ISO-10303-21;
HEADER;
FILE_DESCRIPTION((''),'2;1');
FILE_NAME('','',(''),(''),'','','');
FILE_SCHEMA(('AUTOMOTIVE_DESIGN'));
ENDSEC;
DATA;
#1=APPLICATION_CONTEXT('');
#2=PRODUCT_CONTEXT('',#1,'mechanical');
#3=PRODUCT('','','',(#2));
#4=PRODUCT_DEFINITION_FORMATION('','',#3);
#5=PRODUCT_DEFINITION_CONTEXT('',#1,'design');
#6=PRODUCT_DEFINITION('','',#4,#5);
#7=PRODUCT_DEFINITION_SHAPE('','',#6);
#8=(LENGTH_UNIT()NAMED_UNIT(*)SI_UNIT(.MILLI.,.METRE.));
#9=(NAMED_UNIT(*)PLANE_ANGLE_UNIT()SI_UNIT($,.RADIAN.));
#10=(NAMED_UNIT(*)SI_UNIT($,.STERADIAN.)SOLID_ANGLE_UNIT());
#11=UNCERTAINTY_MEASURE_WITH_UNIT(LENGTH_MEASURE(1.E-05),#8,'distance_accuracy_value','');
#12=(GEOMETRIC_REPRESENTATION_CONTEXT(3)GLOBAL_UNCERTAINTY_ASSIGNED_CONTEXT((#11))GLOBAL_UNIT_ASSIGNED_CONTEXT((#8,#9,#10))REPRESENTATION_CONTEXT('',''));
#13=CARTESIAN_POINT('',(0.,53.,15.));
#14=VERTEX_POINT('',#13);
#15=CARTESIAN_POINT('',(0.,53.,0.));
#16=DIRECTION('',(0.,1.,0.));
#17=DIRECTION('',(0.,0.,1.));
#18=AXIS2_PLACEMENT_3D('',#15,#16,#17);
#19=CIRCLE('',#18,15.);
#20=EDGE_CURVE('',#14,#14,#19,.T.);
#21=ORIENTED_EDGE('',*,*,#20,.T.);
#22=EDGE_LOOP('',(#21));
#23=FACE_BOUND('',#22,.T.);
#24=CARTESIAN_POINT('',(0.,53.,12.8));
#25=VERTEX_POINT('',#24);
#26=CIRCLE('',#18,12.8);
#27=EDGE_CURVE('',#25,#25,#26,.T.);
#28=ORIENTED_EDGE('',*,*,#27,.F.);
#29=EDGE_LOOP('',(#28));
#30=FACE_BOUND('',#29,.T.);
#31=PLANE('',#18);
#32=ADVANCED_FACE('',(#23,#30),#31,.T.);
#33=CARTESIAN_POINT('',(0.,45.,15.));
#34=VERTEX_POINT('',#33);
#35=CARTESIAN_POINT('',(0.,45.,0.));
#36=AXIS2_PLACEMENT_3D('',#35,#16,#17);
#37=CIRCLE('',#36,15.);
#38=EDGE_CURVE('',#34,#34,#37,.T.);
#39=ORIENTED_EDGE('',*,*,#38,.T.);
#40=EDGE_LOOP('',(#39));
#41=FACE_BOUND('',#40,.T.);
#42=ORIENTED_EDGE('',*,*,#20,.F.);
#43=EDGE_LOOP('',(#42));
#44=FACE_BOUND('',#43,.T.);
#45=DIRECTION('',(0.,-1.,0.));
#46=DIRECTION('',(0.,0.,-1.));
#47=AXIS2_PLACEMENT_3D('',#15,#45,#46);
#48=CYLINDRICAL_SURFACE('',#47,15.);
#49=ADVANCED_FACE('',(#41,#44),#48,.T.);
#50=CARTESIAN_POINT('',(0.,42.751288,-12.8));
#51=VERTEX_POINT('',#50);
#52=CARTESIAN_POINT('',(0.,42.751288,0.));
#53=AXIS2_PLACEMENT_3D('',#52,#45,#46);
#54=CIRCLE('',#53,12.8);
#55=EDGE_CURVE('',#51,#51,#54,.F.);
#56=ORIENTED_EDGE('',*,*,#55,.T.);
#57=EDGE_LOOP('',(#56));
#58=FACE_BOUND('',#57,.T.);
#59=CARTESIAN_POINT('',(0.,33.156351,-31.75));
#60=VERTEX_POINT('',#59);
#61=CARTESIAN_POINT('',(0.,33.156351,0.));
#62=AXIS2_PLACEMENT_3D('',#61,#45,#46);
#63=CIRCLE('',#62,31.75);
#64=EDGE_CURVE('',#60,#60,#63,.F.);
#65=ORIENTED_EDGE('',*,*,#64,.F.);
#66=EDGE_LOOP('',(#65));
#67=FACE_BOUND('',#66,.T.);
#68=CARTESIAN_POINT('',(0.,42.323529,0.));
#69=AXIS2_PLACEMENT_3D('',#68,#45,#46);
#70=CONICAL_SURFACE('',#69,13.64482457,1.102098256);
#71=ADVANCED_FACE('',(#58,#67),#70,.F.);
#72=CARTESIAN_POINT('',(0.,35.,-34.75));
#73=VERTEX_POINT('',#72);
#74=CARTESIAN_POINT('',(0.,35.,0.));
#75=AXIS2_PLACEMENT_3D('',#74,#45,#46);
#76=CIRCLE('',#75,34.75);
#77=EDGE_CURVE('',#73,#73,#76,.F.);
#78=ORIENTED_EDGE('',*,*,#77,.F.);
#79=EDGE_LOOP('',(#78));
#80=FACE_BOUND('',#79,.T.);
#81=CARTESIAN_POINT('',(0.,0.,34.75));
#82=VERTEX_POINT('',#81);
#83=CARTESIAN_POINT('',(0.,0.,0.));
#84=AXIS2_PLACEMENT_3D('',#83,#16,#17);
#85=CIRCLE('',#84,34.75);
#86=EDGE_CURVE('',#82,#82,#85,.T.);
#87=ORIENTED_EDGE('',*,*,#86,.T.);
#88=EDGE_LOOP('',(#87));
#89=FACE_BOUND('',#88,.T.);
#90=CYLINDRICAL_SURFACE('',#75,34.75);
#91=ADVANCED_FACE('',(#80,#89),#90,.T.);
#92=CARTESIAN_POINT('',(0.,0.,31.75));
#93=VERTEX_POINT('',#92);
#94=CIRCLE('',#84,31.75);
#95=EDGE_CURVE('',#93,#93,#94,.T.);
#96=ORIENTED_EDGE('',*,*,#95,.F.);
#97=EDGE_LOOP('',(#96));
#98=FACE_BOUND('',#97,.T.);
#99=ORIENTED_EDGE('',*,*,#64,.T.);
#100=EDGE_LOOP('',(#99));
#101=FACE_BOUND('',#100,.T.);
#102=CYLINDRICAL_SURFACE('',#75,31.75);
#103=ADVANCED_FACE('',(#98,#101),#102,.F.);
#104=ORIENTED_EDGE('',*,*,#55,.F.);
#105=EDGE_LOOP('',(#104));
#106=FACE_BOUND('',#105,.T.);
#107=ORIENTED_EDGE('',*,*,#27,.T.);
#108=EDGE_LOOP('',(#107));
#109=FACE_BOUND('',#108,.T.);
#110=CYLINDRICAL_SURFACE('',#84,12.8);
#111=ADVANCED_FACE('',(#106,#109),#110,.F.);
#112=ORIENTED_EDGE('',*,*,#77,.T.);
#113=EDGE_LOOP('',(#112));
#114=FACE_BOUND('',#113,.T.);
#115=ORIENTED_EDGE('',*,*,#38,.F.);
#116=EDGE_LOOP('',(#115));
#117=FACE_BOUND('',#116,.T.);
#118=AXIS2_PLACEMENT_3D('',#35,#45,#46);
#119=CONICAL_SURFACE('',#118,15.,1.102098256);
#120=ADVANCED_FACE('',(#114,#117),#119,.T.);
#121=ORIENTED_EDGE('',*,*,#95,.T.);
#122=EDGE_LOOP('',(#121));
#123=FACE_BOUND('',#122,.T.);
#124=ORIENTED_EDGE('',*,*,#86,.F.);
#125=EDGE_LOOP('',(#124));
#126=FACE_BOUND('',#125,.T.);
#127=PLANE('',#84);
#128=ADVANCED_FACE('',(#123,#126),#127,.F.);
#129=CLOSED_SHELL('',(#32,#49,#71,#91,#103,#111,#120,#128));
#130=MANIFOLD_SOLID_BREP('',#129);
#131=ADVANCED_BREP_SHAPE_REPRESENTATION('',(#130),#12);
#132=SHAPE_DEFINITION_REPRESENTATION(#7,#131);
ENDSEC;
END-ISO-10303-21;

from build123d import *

# Parameters (mm, degrees)
SKETCH_1_R               = 34.75
EXTRUDE_1_DEPTH          = 35
SKETCH_2_R               = 15
EXTRUDE_2_DEPTH          = 8
SHELL_2_T                = -3
CUT_EXTRUDE_1_DEPTH      = 73.278108815
CUT_EXTRUDE_1_DEPTH_BACK = 73.278108815
SKETCH_3_R               = 12.8


with BuildPart() as part:
    # 스케치1 → 보스-돌출1 (new body)
    with BuildSketch(Plane(origin=(0, 0, 0), x_dir=(1, 0, 0), z_dir=(0, 1, 0))):
        with Locations(Location((0, 0, 0), (0, 0, 270))):
            Circle(SKETCH_1_R)
    extrude(amount=EXTRUDE_1_DEPTH)



with BuildPart() as body_2:
    # 스케치2 → 보스-돌출2 (new body)
    with BuildSketch(Plane(origin=(0, 45, 0), x_dir=(1, 0, 0), z_dir=(0, 1, 0))):
        with Locations(Location((0, 0, 0), (0, 0, 270))):
            Circle(SKETCH_2_R)
    extrude(amount=EXTRUDE_2_DEPTH)


with BuildPart() as part_1:
    add(part.part)

    add(body_2.part)  # loft_1 joins it to this body
    # loft from a face of the part (loft_1)
    loft([part_1.faces().sort_by_distance((0, 35, 0))[0], part_1.faces().sort_by_distance((0, 45, 0))[0]])

    # 쉘2
    shell_2_openings = [part_1.faces().sort_by_distance(p)[0] for p in [
        (0, 0, 0),
    ]]
    offset(amount=SHELL_2_T, openings=shell_2_openings, kind=Kind.INTERSECTION)

    # 스케치3 → 컷-돌출1 (cut, two sides: drawn at the far end of the back side and taken through both)
    with BuildSketch(Plane(origin=(0, 53, 0), x_dir=(1, 0, 0), z_dir=(0, 1, 0)).offset(-CUT_EXTRUDE_1_DEPTH_BACK)):
        with Locations(Location((0, 0, 0), (0, 0, 270))):
            Circle(SKETCH_3_R)
    extrude(amount=CUT_EXTRUDE_1_DEPTH + CUT_EXTRUDE_1_DEPTH_BACK, mode=Mode.SUBTRACT)


solid = part_1.part
